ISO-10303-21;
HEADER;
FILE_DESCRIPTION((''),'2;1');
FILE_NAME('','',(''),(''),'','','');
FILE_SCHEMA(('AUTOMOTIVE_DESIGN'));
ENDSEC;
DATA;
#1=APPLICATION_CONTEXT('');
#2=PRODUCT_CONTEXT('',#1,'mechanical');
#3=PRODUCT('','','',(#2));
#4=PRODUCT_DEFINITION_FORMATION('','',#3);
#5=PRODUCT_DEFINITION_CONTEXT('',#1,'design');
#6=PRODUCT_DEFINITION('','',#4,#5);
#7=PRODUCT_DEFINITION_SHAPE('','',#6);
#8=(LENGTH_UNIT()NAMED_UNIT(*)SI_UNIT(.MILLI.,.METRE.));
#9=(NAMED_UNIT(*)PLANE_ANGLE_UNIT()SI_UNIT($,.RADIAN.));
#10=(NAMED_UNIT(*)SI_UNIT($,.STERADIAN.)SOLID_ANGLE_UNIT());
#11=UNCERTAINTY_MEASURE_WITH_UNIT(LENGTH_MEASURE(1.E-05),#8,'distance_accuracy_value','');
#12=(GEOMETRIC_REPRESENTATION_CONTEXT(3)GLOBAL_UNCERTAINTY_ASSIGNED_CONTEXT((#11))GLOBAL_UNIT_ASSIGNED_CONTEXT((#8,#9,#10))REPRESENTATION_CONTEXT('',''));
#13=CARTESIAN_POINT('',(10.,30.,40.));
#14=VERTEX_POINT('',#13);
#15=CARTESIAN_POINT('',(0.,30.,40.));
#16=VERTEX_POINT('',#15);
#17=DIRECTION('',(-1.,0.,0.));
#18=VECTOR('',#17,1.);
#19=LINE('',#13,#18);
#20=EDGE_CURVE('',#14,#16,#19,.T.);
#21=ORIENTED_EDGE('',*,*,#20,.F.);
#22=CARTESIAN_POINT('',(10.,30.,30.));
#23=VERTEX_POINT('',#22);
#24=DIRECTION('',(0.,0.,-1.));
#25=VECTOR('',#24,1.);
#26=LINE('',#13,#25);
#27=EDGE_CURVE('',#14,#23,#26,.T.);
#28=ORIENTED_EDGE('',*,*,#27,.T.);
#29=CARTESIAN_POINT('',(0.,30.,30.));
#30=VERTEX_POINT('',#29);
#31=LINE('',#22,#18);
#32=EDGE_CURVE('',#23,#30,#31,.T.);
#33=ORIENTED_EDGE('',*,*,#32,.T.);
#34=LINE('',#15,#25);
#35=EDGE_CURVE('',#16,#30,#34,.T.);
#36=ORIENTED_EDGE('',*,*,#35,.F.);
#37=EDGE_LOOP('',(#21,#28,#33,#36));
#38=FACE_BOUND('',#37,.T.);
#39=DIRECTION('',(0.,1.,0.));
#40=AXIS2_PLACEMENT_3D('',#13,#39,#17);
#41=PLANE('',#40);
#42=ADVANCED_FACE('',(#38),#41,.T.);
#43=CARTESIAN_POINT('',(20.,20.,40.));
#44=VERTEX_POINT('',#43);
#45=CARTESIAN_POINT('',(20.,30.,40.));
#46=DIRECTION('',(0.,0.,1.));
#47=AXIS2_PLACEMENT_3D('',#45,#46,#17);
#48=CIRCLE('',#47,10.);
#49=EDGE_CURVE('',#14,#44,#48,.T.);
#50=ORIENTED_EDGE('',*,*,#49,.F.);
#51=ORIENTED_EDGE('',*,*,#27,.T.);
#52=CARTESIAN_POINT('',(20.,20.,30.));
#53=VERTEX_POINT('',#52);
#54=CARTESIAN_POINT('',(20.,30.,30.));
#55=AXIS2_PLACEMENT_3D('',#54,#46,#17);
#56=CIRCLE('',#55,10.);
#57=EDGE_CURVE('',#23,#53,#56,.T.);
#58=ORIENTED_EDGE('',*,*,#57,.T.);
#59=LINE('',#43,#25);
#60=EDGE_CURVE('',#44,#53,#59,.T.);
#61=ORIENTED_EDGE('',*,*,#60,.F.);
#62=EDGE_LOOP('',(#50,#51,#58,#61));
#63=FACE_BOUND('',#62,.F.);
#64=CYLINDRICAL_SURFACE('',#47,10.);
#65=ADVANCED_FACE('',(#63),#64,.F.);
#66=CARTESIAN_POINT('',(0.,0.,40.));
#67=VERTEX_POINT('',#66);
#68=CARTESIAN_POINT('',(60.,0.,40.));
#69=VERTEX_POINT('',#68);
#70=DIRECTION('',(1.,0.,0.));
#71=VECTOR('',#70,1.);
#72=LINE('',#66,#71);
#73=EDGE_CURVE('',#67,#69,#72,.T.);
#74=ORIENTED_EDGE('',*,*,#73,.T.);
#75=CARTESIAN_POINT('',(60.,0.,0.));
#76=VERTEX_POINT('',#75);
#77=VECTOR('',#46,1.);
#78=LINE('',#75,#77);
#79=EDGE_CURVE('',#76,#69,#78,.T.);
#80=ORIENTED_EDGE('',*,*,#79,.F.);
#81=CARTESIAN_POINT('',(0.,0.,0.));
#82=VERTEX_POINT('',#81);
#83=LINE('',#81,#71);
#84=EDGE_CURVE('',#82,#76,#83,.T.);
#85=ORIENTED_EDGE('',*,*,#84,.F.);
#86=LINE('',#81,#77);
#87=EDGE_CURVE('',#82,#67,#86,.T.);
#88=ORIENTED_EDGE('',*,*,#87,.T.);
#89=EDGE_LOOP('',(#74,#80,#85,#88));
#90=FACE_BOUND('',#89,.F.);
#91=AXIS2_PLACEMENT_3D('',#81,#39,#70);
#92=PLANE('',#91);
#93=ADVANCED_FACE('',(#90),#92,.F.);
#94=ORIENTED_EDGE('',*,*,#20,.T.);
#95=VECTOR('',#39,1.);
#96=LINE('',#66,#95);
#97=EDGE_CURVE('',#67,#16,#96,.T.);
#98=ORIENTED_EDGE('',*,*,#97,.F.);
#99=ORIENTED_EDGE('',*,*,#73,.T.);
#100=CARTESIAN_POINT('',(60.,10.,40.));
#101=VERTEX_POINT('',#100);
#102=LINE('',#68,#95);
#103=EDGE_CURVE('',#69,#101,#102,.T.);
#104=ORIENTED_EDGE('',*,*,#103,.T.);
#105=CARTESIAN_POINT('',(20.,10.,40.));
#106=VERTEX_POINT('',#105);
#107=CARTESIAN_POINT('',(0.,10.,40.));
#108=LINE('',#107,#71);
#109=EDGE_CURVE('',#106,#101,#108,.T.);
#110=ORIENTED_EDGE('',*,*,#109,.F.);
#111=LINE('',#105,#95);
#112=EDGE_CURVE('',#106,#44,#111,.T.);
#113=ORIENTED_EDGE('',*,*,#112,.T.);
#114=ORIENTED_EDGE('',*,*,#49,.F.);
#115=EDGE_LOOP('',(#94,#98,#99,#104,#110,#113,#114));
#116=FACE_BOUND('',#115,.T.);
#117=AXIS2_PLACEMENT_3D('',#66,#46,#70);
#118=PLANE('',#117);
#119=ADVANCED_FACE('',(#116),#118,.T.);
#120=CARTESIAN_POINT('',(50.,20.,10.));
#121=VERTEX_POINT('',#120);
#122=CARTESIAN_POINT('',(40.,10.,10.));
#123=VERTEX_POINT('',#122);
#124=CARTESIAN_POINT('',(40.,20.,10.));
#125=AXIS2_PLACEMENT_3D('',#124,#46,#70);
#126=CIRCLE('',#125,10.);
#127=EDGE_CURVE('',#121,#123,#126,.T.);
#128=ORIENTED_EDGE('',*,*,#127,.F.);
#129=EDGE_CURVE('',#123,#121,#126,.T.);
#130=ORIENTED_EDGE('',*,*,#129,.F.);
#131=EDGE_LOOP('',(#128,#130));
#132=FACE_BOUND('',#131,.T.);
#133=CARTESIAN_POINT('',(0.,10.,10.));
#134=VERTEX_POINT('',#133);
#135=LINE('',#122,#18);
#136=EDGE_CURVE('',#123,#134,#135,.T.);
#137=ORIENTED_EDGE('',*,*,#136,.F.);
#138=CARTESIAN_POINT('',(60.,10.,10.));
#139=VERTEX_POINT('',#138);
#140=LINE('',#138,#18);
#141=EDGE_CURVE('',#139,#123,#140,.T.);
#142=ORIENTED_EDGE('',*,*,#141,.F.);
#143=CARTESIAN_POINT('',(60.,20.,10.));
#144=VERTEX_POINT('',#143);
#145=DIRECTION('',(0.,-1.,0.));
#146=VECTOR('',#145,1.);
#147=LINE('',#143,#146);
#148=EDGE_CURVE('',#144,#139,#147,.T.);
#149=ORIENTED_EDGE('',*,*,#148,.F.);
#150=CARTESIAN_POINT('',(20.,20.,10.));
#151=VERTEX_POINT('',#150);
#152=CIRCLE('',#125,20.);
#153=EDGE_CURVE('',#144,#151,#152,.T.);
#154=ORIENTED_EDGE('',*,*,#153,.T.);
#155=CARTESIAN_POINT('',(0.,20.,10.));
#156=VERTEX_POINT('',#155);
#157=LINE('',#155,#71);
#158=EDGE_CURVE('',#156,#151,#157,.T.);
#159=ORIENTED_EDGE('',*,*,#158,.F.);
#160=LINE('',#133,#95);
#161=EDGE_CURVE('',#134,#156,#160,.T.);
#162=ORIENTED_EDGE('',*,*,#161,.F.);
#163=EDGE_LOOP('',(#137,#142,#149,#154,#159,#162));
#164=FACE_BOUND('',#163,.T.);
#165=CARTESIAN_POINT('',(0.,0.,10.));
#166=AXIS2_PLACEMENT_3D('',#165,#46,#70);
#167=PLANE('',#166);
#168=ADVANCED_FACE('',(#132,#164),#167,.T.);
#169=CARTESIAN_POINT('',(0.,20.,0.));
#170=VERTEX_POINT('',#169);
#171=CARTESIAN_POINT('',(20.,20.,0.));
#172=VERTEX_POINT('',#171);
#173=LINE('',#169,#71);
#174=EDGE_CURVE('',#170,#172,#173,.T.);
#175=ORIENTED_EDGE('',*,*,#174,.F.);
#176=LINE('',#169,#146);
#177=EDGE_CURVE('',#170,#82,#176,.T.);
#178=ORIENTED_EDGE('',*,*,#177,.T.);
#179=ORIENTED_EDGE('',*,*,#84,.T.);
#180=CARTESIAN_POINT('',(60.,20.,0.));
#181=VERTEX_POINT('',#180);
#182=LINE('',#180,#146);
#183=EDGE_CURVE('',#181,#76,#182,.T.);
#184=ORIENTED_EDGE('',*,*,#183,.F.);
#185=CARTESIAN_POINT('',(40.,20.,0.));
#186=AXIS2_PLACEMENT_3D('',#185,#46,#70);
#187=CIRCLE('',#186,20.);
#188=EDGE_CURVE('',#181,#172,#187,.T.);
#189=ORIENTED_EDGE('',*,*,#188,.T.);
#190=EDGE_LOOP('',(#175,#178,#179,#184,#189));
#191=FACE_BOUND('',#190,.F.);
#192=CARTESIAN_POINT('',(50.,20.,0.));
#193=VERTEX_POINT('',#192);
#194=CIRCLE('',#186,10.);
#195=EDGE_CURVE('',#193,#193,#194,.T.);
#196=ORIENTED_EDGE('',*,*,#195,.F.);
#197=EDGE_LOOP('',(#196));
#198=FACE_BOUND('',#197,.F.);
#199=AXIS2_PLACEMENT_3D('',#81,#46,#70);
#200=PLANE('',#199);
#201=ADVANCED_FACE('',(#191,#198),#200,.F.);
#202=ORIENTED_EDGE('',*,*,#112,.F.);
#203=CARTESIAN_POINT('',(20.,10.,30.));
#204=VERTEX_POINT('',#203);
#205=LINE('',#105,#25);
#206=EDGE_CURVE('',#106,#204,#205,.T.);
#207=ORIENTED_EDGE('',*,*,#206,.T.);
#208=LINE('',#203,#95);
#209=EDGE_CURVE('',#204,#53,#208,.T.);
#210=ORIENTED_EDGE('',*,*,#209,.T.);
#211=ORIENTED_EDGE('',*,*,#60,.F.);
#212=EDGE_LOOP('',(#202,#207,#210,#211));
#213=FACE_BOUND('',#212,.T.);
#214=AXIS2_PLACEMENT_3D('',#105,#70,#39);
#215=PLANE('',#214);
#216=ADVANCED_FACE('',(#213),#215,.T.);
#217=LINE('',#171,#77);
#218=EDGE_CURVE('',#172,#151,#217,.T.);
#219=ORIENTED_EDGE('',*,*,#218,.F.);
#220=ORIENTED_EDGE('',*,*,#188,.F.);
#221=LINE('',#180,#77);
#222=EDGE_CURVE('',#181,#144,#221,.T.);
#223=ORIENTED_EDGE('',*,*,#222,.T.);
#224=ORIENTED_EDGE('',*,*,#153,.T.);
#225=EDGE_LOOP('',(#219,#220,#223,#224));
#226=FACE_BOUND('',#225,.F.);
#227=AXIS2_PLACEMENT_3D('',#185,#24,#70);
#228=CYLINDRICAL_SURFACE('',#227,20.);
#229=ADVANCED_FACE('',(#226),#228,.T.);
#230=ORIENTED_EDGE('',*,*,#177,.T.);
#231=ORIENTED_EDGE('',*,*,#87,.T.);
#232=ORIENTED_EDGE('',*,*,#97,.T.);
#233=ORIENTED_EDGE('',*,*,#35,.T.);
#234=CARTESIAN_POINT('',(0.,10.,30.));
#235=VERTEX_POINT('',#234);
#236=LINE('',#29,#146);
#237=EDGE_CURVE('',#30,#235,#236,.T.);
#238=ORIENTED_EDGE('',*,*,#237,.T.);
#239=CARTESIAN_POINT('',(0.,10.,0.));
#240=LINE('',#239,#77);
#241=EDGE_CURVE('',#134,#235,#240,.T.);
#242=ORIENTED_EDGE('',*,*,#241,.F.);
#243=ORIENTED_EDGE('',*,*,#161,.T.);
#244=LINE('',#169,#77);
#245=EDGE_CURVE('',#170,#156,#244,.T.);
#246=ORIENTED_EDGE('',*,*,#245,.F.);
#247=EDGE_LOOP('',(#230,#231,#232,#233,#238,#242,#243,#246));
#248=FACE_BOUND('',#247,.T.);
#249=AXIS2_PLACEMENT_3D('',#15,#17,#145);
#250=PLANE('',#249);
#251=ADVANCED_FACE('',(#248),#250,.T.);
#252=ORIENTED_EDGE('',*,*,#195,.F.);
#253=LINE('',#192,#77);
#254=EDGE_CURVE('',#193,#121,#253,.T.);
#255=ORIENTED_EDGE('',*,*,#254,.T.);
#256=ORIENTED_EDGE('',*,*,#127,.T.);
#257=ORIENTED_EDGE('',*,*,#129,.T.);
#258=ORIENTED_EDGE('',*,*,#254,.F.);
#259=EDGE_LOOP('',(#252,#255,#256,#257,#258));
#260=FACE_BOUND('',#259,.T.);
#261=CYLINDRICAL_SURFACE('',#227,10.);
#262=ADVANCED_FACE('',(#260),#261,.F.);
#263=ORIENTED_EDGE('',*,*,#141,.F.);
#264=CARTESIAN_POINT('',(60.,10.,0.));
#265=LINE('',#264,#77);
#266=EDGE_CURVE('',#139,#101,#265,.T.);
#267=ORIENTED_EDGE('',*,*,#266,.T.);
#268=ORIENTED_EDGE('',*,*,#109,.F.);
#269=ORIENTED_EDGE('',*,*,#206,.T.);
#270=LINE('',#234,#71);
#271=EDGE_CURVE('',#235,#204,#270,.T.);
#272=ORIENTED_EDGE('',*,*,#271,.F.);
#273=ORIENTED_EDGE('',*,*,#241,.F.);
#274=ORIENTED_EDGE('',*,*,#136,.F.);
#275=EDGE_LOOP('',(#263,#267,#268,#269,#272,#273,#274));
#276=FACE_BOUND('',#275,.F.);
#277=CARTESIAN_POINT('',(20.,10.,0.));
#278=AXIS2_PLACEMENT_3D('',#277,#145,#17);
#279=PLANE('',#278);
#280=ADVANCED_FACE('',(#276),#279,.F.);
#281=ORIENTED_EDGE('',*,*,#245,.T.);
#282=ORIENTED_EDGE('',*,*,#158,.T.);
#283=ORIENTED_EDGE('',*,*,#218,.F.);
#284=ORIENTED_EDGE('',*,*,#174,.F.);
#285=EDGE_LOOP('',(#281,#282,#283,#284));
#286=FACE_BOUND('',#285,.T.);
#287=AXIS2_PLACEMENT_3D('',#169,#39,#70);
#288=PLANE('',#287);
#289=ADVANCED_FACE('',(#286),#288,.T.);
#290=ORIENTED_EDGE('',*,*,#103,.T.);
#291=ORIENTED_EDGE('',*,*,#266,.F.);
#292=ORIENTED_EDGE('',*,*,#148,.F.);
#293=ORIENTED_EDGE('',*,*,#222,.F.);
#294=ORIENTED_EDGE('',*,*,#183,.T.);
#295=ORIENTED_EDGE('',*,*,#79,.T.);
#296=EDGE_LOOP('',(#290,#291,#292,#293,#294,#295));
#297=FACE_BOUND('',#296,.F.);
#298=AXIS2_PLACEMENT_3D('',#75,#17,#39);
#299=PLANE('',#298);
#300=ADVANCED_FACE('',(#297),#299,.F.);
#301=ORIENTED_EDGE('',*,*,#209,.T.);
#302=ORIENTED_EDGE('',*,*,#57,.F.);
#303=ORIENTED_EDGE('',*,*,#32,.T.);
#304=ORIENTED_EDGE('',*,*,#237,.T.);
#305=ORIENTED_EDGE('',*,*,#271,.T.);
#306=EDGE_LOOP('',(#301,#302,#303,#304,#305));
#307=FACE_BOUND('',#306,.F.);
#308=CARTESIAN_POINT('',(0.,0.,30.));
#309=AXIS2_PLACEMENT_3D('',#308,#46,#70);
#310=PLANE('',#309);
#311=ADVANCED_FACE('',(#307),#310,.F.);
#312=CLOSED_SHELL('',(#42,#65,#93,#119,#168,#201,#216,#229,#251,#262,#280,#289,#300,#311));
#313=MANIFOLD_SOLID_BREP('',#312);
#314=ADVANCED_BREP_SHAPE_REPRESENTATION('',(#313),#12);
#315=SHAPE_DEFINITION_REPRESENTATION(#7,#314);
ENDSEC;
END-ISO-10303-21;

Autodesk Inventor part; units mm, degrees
ref_plane "YZ Plane" through (0, 0, 0) normal (1, 0, 0) x (0, 1, 0)
ref_plane "XZ Plane" through (0, 0, 0) normal (0, 1, 0) x (-1, 0, 0)
ref_plane "XY Plane" through (0, 0, 0) normal (0, 0, 1) x (1, 0, 0)
sketch "草圖1" plane through (0, 0, 0) normal (0, 0, 1) x (1, 0, 0)
  line L0 (0, 0) -> (60, 0)
  line L1 (60, 0) -> (60, 10)
  line L2 (60, 10) -> (0, 10)
  line L3 (0, 10) -> (0, 0)
  circle A0 centre (40, 20) radius 10
  arc A1 (60, 20) -> (20, 20) centre (40, 20) ccw
  line L4 (20, 20) -> (20, 10)
  line L5 (60, 20) -> (60, 10)
  line L6 (20, 10) -> (0, 10)
  line L7 (0, 10) -> (0, 20)
  line L8 (0, 20) -> (20, 20)
  line L9 (20, 20) -> (20, 10)
  point P0 (40, 10)
  dimension "d0" = 60
  dimension "d1" = 10
  dimension "d2" = 20
  dimension "d3" = 40
  dimension "d4" = 10
  dimension "d5" = 20
  dimension "d10" = 20
  dimension "d11" = 10
extrude "擠出1" add sketch "草圖1" along normal blind 10 contours L7 L8 L4 L2 | L2 L4 A1 L5
extrude "擠出2" add sketch "草圖1" along normal blind 40 contours L3 L2 L1 L0
sketch "草圖2" plane through (0, 0, 40) normal (0, 0, 1) x (1, 0, 0)
  line L0 (0, 10) -> (0, 0) projected
  line L1 (0, 10) -> (20, 10)
  line L2 (20, 10) -> (20, 20)
  line L3 (10, 30) -> (0, 30)
  line L4 (0, 30) -> (0, 10)
  arc A0 (10, 30) -> (20, 20) centre (20, 30) ccw
extrude "擠出3" add sketch "草圖2" against normal blind 10
